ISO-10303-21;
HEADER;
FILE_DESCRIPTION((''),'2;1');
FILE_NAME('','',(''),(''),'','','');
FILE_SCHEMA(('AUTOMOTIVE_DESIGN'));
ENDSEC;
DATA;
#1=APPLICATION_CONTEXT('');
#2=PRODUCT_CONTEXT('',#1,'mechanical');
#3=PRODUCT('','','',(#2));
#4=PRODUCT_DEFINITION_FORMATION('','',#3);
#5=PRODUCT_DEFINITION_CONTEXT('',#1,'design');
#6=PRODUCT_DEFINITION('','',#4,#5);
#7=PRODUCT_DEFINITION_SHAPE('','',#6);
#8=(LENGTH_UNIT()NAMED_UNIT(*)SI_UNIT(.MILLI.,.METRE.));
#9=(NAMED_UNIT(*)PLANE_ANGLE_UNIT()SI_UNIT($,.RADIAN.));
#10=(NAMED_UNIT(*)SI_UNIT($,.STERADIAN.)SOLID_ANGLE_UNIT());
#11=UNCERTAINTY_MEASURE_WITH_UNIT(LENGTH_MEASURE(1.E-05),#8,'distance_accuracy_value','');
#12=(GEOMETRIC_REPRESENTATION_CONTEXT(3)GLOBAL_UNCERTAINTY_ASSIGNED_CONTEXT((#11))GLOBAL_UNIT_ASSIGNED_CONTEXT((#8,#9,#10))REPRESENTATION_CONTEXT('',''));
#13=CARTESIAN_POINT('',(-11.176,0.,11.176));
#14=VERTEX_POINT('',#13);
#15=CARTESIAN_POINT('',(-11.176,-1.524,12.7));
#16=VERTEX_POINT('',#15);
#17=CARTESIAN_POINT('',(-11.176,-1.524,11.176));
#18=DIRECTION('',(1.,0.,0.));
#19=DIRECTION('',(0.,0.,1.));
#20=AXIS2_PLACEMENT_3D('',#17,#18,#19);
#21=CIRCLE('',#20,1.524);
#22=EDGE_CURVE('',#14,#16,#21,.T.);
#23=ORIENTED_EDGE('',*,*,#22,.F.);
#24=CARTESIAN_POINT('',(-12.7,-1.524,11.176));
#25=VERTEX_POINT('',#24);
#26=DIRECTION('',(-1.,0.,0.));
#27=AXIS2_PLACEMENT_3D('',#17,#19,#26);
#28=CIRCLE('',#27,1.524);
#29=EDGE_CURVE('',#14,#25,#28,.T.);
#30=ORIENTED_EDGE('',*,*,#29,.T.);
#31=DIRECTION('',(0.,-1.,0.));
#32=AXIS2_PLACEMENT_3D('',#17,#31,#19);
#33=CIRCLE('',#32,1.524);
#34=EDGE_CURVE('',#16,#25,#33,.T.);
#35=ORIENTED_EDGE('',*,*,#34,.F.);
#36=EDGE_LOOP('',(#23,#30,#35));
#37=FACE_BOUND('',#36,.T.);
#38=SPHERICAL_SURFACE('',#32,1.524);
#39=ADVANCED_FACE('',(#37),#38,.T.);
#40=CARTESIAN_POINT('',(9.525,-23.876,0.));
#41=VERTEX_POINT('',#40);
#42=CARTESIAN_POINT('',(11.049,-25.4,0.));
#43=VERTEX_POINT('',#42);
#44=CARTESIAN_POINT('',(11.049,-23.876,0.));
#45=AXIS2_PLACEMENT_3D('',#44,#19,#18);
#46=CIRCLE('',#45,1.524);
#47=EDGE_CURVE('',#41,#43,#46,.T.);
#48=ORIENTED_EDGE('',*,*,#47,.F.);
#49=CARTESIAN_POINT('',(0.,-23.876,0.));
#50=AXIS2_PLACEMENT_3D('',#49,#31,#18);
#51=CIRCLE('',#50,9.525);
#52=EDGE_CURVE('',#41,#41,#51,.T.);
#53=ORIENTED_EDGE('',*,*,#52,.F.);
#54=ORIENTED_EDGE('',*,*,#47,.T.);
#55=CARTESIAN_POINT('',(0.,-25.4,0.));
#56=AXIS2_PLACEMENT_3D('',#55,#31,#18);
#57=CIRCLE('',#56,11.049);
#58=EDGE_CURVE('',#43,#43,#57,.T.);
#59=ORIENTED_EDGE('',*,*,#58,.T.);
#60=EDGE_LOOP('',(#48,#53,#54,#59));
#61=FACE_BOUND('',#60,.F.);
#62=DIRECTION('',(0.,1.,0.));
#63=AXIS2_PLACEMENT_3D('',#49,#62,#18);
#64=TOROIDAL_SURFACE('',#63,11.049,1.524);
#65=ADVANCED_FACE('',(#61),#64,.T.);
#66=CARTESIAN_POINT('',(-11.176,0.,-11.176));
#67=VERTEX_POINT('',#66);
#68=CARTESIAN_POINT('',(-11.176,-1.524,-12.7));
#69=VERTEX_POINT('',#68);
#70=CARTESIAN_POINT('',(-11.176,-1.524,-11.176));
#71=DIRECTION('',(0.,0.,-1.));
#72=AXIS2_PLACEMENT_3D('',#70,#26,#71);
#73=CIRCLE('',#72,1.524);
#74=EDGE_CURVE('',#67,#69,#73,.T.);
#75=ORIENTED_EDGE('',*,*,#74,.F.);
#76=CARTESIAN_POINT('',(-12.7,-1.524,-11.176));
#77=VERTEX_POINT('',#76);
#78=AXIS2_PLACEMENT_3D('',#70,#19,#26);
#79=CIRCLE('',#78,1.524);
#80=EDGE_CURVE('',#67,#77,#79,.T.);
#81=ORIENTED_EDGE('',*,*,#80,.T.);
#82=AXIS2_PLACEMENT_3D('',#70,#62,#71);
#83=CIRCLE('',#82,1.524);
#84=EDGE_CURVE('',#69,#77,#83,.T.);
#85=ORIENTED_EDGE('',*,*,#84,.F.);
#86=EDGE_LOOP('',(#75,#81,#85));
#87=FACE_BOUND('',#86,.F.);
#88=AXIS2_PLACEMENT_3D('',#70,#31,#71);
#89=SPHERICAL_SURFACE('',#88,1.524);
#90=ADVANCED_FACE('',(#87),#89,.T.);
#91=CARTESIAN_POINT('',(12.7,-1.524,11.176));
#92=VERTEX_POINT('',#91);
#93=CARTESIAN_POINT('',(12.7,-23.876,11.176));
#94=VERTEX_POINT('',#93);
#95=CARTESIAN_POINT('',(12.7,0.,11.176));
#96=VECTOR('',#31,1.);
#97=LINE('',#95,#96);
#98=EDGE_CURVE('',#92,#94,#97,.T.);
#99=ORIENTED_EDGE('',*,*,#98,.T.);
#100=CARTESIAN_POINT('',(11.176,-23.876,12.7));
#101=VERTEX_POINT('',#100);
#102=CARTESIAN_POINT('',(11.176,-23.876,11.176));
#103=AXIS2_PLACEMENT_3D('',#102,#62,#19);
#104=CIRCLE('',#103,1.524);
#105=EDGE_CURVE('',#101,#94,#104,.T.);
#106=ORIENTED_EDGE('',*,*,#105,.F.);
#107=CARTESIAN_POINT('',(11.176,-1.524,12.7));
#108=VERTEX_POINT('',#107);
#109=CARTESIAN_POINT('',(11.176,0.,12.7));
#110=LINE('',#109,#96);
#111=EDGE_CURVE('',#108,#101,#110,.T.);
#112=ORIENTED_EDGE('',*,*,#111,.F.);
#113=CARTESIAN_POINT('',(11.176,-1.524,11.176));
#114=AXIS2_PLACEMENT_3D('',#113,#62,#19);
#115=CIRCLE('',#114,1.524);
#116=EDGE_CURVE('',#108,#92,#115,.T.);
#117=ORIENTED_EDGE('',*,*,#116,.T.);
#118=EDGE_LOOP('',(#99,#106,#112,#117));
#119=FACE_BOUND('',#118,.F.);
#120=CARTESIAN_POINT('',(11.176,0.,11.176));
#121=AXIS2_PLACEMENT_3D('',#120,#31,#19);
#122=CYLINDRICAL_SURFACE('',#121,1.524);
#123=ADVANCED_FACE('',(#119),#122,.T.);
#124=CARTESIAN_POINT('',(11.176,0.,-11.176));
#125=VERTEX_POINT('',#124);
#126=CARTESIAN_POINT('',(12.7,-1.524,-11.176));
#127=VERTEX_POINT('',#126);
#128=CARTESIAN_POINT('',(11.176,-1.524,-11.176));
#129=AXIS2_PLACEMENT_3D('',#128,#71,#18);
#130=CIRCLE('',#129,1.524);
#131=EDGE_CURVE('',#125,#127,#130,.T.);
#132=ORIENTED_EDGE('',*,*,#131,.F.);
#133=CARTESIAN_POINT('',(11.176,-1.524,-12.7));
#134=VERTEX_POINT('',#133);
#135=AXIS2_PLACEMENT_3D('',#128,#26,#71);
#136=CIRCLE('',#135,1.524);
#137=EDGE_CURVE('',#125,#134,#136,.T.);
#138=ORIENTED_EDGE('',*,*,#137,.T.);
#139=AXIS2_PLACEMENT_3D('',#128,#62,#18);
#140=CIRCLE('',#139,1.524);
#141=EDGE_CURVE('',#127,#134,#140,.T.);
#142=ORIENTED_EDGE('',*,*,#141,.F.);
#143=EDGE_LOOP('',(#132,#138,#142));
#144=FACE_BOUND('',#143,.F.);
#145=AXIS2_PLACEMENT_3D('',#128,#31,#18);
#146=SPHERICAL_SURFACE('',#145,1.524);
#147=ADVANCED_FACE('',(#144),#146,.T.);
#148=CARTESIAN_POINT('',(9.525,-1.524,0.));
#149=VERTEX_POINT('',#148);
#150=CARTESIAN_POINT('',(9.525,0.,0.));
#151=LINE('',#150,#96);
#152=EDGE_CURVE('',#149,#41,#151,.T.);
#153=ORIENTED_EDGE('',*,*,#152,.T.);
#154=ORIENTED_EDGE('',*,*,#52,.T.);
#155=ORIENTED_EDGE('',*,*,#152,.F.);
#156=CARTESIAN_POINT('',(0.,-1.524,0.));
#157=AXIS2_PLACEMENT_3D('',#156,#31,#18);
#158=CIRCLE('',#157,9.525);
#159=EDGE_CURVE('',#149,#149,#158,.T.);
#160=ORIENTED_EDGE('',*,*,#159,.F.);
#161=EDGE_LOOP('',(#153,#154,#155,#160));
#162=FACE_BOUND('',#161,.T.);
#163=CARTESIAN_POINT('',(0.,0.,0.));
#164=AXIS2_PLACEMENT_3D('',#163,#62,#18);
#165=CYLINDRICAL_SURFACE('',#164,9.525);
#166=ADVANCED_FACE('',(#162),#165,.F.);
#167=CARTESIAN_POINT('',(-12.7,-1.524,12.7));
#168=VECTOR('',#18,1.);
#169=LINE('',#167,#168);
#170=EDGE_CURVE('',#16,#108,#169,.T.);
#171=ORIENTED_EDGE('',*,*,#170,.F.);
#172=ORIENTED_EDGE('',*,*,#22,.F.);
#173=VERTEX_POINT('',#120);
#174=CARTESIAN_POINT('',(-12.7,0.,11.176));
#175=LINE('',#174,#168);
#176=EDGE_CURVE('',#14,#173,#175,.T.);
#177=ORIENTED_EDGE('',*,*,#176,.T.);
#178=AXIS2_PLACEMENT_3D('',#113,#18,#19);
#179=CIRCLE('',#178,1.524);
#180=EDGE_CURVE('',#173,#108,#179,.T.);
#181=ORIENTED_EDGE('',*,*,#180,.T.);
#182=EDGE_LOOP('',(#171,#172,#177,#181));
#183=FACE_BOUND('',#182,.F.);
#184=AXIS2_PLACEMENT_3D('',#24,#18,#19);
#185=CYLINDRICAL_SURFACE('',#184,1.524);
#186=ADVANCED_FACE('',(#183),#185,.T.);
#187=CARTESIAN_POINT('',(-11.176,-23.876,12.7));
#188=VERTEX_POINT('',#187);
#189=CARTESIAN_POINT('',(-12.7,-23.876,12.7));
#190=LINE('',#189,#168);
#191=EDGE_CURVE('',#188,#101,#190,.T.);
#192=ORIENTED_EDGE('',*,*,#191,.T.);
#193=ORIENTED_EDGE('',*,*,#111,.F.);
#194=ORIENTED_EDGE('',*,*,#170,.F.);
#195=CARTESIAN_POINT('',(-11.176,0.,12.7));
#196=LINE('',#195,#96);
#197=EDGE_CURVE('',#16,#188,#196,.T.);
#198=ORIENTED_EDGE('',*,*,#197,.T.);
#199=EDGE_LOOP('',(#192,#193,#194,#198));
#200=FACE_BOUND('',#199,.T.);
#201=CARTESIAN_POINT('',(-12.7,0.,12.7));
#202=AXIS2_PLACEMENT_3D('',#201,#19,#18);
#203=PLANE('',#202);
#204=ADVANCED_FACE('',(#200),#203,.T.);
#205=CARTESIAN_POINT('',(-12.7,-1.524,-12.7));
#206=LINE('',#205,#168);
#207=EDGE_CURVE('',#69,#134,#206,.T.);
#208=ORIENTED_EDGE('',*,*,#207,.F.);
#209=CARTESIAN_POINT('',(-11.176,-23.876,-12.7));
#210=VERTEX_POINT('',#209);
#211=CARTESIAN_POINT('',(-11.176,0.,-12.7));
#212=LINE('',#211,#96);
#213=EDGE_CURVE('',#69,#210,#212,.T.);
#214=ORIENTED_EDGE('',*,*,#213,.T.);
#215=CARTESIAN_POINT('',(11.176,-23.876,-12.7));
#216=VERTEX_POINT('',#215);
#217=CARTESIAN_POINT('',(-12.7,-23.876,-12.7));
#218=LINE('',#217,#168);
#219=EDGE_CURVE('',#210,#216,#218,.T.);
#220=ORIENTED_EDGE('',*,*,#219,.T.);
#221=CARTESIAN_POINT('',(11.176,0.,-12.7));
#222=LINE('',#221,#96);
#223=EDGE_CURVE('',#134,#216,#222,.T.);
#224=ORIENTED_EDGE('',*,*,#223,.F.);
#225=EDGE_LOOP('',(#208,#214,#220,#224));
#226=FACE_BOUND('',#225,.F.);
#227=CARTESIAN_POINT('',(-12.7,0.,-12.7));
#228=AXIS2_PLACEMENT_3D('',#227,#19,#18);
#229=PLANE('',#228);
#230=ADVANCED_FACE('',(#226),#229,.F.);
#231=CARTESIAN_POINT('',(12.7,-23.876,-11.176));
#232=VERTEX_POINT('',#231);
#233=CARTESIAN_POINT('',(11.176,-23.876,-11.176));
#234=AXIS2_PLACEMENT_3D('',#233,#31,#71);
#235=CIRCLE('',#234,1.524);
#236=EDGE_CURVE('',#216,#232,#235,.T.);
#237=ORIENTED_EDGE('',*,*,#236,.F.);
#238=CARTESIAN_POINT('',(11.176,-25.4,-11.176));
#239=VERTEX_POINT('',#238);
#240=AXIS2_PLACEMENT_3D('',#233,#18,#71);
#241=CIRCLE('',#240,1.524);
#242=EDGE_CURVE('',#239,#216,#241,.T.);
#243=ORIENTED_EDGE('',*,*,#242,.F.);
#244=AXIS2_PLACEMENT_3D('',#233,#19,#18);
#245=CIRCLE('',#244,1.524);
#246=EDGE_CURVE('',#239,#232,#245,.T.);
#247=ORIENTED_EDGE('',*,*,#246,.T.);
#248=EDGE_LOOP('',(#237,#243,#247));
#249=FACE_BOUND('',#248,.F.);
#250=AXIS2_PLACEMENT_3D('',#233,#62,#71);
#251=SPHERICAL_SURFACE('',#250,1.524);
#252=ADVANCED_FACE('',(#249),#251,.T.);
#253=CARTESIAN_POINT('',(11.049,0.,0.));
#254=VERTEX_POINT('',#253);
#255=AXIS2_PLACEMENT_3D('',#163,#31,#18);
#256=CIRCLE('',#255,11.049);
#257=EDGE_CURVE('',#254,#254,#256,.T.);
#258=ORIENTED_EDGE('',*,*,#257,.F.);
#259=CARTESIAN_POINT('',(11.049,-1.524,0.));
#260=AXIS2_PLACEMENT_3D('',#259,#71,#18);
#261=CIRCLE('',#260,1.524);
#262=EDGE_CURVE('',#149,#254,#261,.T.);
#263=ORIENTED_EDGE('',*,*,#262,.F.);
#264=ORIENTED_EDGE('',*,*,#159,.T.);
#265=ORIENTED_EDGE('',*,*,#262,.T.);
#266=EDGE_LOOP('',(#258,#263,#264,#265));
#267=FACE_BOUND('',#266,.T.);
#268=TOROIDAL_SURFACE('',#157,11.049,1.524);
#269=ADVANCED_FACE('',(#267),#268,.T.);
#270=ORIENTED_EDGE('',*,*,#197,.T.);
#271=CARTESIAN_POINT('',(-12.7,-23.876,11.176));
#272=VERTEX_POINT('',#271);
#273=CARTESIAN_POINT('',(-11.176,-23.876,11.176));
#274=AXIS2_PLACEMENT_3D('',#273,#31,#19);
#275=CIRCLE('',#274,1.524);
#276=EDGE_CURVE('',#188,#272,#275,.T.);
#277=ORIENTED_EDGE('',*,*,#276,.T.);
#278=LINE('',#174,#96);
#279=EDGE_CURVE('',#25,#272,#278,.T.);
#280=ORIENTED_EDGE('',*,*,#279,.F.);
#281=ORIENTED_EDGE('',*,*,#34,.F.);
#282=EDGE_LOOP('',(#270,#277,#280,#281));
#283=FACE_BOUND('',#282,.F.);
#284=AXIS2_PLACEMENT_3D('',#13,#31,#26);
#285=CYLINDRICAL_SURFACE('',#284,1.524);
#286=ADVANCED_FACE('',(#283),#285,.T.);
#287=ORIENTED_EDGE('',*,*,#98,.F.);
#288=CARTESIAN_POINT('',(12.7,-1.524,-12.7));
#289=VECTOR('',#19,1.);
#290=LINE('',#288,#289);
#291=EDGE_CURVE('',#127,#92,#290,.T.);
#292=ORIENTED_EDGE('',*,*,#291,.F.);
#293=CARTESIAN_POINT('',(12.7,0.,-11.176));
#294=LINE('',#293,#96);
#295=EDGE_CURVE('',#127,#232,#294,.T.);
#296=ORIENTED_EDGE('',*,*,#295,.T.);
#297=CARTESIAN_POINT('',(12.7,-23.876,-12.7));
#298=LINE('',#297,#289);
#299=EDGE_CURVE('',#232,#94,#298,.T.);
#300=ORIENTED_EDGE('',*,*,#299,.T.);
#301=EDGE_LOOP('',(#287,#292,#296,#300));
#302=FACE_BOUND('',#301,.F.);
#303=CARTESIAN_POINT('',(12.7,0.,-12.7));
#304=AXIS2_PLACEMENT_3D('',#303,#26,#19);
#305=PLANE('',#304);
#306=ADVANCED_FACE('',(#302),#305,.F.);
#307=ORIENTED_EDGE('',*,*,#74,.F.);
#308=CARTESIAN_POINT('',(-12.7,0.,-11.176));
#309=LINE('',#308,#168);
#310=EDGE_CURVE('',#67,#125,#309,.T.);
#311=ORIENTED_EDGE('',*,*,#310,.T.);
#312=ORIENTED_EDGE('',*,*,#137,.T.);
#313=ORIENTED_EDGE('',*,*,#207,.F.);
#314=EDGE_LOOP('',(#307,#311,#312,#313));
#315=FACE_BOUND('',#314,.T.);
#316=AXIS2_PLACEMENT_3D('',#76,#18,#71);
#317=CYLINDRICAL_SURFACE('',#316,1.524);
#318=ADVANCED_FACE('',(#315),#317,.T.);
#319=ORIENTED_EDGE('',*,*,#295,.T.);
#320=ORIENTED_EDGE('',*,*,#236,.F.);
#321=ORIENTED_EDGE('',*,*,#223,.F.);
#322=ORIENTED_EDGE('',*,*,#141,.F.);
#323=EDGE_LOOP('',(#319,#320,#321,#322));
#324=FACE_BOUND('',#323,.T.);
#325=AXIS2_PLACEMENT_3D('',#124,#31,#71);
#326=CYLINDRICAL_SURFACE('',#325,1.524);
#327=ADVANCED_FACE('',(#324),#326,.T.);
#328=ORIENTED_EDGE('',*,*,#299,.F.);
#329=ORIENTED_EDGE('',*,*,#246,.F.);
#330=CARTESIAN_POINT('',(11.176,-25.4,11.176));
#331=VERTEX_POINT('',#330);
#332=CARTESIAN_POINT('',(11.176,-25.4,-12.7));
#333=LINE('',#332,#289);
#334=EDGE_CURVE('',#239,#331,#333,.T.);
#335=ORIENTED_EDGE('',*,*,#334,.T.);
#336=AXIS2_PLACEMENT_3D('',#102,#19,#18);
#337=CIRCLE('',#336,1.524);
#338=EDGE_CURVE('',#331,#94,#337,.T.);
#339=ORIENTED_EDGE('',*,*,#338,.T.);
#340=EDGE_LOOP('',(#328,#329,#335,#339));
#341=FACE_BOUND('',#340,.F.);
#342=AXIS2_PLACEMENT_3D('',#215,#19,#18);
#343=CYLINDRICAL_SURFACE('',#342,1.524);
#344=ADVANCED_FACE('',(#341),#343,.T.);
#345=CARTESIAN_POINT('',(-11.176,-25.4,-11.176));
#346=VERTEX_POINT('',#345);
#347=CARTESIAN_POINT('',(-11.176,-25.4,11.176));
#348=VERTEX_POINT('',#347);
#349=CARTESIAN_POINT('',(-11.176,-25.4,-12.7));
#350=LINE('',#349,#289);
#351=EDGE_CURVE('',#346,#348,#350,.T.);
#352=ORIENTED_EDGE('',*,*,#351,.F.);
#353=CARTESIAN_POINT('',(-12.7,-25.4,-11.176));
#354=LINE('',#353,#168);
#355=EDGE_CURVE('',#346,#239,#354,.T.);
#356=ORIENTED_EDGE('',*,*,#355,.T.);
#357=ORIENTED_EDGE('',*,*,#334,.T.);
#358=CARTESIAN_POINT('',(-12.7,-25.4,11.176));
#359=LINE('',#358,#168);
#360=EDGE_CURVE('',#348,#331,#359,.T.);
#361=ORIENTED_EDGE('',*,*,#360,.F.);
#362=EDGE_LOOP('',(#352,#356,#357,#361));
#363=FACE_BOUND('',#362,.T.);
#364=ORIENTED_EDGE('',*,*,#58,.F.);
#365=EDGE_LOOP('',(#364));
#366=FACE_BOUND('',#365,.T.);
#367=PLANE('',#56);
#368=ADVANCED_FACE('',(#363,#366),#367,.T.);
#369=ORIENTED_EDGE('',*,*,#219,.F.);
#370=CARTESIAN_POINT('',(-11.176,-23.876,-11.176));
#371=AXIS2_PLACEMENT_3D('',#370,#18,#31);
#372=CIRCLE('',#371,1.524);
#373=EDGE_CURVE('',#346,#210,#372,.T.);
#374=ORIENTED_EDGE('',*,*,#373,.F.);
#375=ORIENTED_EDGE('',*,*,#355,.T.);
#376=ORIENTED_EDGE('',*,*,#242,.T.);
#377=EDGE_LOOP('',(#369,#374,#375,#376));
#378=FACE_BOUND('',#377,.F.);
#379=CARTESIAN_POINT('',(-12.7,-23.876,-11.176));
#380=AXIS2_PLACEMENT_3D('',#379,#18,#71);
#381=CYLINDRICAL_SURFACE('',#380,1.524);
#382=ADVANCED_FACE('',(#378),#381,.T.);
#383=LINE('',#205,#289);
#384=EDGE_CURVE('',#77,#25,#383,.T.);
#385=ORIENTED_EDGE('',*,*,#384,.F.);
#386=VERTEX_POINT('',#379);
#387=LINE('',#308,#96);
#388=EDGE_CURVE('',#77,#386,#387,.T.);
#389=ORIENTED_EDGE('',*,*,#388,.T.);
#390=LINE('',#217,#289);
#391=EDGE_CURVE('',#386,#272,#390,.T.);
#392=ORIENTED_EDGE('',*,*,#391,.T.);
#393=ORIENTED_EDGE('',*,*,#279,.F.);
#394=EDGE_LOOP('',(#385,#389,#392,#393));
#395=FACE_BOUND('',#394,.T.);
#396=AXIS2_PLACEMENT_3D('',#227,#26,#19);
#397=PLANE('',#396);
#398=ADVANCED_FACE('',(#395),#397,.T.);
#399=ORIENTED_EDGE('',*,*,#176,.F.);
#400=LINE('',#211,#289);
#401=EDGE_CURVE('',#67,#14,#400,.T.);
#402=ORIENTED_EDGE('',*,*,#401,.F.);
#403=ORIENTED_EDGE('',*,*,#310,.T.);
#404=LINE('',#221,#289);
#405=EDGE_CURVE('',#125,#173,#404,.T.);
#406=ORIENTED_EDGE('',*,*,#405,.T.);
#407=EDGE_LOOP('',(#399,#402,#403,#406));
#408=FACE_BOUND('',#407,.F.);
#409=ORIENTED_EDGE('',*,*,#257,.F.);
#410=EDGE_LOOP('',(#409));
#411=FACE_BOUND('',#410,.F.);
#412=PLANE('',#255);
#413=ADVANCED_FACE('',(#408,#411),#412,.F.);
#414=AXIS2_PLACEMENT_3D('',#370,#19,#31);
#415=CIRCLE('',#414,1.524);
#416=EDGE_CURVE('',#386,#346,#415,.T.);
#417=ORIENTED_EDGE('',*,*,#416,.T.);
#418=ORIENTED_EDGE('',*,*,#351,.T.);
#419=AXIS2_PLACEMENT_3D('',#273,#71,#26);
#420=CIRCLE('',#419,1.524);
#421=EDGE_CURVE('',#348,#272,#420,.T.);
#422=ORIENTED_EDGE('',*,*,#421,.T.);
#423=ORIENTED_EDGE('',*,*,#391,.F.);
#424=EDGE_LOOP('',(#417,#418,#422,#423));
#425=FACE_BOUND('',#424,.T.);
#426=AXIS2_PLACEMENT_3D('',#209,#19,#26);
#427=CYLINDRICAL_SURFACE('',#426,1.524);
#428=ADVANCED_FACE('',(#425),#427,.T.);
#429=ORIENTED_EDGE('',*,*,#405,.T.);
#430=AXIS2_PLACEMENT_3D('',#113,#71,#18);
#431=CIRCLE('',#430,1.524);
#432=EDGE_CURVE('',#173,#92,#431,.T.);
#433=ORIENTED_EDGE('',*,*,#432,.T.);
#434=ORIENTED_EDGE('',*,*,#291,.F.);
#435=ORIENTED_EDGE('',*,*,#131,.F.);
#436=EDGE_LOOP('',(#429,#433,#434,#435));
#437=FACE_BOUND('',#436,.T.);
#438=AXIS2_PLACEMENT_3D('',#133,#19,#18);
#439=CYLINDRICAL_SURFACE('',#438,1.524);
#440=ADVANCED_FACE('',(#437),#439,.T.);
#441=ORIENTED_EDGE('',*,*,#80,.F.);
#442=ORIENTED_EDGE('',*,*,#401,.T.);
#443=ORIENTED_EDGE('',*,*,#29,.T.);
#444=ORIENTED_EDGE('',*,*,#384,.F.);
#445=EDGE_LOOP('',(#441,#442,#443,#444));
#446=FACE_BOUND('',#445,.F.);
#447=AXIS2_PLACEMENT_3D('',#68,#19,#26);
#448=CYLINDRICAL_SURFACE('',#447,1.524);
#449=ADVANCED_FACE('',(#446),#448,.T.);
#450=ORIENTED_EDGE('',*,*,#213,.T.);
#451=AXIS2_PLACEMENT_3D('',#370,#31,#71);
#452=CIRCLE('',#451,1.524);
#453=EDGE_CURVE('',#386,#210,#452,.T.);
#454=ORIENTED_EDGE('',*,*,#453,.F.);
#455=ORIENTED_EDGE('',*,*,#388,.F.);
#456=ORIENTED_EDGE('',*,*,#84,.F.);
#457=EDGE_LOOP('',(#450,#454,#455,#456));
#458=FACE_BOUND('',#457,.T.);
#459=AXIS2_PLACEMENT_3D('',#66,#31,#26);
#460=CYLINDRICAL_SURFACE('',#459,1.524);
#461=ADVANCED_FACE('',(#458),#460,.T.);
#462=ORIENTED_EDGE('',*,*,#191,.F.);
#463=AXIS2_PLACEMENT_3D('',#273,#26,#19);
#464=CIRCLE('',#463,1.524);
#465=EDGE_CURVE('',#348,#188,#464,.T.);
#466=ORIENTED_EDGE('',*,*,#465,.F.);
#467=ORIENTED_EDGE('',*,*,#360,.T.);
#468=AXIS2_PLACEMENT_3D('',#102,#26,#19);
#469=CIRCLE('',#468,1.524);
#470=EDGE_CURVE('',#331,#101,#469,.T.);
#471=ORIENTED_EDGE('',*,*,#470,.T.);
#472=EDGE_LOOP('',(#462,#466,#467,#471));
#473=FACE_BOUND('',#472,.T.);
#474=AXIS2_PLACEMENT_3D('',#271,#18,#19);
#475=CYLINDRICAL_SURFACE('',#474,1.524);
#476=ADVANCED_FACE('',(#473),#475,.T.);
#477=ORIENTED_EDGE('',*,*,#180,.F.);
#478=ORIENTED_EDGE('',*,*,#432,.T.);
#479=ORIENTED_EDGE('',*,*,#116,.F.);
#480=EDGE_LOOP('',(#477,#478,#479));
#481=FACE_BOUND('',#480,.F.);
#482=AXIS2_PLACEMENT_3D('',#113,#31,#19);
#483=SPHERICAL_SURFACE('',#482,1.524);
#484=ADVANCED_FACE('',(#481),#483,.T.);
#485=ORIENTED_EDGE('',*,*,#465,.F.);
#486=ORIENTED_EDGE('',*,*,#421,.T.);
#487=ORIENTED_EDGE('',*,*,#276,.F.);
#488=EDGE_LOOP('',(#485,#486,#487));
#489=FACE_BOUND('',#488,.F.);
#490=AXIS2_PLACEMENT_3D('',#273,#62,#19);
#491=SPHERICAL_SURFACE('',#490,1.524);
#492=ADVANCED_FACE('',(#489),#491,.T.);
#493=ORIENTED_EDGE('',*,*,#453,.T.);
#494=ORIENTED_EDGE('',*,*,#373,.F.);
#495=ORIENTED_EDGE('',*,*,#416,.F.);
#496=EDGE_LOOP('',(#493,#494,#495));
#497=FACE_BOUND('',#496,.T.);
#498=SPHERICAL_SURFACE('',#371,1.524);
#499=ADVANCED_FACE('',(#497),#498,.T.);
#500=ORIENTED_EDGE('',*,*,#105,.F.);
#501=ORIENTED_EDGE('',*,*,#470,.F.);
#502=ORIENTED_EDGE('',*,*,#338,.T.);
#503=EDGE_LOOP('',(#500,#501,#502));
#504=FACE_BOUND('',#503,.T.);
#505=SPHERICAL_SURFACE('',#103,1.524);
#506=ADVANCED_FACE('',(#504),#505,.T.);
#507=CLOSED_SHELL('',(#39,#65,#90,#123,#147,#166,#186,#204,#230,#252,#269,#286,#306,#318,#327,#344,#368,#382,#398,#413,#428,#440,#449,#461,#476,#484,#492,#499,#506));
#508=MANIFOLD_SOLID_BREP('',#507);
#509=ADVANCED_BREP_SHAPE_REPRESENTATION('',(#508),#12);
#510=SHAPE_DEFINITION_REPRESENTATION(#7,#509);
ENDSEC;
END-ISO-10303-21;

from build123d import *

# Parameters (mm, degrees)
F0_W     = 25.4
F0_H     = 25.4
F0_R     = 9.525
F1_DEPTH = 25.4
F2_R     = 1.524


with BuildPart() as f1:
    # F0 (on Front) → F1 (new body)
    with BuildSketch(Plane.XZ):
        Rectangle(F0_W, F0_H)
        Circle(F0_R, mode=Mode.SUBTRACT)
    extrude(amount=F1_DEPTH)

    # F2
    f2_edges = [f1.edges().sort_by_distance(p)[0] for p in [
        (-9.525, -25.4, 0),
        (12.7, -12.7, -12.7),
        (12.7, -12.7, 12.7),
        (-12.7, -12.7, 12.7),
        (0, -25.4, -12.7),
        (0, 0, 12.7),
        (0, -25.4, 12.7),
        (12.7, 0, 0),
        (12.7, -25.4, 0),
        (-12.7, -25.4, 0),
        (-9.525, 0, 0),
        (-12.7, -12.7, -12.7),
        (0, 0, -12.7),
        (-12.7, 0, 0),
    ]]
    fillet(f2_edges, radius=F2_R)


solid = f1.part
